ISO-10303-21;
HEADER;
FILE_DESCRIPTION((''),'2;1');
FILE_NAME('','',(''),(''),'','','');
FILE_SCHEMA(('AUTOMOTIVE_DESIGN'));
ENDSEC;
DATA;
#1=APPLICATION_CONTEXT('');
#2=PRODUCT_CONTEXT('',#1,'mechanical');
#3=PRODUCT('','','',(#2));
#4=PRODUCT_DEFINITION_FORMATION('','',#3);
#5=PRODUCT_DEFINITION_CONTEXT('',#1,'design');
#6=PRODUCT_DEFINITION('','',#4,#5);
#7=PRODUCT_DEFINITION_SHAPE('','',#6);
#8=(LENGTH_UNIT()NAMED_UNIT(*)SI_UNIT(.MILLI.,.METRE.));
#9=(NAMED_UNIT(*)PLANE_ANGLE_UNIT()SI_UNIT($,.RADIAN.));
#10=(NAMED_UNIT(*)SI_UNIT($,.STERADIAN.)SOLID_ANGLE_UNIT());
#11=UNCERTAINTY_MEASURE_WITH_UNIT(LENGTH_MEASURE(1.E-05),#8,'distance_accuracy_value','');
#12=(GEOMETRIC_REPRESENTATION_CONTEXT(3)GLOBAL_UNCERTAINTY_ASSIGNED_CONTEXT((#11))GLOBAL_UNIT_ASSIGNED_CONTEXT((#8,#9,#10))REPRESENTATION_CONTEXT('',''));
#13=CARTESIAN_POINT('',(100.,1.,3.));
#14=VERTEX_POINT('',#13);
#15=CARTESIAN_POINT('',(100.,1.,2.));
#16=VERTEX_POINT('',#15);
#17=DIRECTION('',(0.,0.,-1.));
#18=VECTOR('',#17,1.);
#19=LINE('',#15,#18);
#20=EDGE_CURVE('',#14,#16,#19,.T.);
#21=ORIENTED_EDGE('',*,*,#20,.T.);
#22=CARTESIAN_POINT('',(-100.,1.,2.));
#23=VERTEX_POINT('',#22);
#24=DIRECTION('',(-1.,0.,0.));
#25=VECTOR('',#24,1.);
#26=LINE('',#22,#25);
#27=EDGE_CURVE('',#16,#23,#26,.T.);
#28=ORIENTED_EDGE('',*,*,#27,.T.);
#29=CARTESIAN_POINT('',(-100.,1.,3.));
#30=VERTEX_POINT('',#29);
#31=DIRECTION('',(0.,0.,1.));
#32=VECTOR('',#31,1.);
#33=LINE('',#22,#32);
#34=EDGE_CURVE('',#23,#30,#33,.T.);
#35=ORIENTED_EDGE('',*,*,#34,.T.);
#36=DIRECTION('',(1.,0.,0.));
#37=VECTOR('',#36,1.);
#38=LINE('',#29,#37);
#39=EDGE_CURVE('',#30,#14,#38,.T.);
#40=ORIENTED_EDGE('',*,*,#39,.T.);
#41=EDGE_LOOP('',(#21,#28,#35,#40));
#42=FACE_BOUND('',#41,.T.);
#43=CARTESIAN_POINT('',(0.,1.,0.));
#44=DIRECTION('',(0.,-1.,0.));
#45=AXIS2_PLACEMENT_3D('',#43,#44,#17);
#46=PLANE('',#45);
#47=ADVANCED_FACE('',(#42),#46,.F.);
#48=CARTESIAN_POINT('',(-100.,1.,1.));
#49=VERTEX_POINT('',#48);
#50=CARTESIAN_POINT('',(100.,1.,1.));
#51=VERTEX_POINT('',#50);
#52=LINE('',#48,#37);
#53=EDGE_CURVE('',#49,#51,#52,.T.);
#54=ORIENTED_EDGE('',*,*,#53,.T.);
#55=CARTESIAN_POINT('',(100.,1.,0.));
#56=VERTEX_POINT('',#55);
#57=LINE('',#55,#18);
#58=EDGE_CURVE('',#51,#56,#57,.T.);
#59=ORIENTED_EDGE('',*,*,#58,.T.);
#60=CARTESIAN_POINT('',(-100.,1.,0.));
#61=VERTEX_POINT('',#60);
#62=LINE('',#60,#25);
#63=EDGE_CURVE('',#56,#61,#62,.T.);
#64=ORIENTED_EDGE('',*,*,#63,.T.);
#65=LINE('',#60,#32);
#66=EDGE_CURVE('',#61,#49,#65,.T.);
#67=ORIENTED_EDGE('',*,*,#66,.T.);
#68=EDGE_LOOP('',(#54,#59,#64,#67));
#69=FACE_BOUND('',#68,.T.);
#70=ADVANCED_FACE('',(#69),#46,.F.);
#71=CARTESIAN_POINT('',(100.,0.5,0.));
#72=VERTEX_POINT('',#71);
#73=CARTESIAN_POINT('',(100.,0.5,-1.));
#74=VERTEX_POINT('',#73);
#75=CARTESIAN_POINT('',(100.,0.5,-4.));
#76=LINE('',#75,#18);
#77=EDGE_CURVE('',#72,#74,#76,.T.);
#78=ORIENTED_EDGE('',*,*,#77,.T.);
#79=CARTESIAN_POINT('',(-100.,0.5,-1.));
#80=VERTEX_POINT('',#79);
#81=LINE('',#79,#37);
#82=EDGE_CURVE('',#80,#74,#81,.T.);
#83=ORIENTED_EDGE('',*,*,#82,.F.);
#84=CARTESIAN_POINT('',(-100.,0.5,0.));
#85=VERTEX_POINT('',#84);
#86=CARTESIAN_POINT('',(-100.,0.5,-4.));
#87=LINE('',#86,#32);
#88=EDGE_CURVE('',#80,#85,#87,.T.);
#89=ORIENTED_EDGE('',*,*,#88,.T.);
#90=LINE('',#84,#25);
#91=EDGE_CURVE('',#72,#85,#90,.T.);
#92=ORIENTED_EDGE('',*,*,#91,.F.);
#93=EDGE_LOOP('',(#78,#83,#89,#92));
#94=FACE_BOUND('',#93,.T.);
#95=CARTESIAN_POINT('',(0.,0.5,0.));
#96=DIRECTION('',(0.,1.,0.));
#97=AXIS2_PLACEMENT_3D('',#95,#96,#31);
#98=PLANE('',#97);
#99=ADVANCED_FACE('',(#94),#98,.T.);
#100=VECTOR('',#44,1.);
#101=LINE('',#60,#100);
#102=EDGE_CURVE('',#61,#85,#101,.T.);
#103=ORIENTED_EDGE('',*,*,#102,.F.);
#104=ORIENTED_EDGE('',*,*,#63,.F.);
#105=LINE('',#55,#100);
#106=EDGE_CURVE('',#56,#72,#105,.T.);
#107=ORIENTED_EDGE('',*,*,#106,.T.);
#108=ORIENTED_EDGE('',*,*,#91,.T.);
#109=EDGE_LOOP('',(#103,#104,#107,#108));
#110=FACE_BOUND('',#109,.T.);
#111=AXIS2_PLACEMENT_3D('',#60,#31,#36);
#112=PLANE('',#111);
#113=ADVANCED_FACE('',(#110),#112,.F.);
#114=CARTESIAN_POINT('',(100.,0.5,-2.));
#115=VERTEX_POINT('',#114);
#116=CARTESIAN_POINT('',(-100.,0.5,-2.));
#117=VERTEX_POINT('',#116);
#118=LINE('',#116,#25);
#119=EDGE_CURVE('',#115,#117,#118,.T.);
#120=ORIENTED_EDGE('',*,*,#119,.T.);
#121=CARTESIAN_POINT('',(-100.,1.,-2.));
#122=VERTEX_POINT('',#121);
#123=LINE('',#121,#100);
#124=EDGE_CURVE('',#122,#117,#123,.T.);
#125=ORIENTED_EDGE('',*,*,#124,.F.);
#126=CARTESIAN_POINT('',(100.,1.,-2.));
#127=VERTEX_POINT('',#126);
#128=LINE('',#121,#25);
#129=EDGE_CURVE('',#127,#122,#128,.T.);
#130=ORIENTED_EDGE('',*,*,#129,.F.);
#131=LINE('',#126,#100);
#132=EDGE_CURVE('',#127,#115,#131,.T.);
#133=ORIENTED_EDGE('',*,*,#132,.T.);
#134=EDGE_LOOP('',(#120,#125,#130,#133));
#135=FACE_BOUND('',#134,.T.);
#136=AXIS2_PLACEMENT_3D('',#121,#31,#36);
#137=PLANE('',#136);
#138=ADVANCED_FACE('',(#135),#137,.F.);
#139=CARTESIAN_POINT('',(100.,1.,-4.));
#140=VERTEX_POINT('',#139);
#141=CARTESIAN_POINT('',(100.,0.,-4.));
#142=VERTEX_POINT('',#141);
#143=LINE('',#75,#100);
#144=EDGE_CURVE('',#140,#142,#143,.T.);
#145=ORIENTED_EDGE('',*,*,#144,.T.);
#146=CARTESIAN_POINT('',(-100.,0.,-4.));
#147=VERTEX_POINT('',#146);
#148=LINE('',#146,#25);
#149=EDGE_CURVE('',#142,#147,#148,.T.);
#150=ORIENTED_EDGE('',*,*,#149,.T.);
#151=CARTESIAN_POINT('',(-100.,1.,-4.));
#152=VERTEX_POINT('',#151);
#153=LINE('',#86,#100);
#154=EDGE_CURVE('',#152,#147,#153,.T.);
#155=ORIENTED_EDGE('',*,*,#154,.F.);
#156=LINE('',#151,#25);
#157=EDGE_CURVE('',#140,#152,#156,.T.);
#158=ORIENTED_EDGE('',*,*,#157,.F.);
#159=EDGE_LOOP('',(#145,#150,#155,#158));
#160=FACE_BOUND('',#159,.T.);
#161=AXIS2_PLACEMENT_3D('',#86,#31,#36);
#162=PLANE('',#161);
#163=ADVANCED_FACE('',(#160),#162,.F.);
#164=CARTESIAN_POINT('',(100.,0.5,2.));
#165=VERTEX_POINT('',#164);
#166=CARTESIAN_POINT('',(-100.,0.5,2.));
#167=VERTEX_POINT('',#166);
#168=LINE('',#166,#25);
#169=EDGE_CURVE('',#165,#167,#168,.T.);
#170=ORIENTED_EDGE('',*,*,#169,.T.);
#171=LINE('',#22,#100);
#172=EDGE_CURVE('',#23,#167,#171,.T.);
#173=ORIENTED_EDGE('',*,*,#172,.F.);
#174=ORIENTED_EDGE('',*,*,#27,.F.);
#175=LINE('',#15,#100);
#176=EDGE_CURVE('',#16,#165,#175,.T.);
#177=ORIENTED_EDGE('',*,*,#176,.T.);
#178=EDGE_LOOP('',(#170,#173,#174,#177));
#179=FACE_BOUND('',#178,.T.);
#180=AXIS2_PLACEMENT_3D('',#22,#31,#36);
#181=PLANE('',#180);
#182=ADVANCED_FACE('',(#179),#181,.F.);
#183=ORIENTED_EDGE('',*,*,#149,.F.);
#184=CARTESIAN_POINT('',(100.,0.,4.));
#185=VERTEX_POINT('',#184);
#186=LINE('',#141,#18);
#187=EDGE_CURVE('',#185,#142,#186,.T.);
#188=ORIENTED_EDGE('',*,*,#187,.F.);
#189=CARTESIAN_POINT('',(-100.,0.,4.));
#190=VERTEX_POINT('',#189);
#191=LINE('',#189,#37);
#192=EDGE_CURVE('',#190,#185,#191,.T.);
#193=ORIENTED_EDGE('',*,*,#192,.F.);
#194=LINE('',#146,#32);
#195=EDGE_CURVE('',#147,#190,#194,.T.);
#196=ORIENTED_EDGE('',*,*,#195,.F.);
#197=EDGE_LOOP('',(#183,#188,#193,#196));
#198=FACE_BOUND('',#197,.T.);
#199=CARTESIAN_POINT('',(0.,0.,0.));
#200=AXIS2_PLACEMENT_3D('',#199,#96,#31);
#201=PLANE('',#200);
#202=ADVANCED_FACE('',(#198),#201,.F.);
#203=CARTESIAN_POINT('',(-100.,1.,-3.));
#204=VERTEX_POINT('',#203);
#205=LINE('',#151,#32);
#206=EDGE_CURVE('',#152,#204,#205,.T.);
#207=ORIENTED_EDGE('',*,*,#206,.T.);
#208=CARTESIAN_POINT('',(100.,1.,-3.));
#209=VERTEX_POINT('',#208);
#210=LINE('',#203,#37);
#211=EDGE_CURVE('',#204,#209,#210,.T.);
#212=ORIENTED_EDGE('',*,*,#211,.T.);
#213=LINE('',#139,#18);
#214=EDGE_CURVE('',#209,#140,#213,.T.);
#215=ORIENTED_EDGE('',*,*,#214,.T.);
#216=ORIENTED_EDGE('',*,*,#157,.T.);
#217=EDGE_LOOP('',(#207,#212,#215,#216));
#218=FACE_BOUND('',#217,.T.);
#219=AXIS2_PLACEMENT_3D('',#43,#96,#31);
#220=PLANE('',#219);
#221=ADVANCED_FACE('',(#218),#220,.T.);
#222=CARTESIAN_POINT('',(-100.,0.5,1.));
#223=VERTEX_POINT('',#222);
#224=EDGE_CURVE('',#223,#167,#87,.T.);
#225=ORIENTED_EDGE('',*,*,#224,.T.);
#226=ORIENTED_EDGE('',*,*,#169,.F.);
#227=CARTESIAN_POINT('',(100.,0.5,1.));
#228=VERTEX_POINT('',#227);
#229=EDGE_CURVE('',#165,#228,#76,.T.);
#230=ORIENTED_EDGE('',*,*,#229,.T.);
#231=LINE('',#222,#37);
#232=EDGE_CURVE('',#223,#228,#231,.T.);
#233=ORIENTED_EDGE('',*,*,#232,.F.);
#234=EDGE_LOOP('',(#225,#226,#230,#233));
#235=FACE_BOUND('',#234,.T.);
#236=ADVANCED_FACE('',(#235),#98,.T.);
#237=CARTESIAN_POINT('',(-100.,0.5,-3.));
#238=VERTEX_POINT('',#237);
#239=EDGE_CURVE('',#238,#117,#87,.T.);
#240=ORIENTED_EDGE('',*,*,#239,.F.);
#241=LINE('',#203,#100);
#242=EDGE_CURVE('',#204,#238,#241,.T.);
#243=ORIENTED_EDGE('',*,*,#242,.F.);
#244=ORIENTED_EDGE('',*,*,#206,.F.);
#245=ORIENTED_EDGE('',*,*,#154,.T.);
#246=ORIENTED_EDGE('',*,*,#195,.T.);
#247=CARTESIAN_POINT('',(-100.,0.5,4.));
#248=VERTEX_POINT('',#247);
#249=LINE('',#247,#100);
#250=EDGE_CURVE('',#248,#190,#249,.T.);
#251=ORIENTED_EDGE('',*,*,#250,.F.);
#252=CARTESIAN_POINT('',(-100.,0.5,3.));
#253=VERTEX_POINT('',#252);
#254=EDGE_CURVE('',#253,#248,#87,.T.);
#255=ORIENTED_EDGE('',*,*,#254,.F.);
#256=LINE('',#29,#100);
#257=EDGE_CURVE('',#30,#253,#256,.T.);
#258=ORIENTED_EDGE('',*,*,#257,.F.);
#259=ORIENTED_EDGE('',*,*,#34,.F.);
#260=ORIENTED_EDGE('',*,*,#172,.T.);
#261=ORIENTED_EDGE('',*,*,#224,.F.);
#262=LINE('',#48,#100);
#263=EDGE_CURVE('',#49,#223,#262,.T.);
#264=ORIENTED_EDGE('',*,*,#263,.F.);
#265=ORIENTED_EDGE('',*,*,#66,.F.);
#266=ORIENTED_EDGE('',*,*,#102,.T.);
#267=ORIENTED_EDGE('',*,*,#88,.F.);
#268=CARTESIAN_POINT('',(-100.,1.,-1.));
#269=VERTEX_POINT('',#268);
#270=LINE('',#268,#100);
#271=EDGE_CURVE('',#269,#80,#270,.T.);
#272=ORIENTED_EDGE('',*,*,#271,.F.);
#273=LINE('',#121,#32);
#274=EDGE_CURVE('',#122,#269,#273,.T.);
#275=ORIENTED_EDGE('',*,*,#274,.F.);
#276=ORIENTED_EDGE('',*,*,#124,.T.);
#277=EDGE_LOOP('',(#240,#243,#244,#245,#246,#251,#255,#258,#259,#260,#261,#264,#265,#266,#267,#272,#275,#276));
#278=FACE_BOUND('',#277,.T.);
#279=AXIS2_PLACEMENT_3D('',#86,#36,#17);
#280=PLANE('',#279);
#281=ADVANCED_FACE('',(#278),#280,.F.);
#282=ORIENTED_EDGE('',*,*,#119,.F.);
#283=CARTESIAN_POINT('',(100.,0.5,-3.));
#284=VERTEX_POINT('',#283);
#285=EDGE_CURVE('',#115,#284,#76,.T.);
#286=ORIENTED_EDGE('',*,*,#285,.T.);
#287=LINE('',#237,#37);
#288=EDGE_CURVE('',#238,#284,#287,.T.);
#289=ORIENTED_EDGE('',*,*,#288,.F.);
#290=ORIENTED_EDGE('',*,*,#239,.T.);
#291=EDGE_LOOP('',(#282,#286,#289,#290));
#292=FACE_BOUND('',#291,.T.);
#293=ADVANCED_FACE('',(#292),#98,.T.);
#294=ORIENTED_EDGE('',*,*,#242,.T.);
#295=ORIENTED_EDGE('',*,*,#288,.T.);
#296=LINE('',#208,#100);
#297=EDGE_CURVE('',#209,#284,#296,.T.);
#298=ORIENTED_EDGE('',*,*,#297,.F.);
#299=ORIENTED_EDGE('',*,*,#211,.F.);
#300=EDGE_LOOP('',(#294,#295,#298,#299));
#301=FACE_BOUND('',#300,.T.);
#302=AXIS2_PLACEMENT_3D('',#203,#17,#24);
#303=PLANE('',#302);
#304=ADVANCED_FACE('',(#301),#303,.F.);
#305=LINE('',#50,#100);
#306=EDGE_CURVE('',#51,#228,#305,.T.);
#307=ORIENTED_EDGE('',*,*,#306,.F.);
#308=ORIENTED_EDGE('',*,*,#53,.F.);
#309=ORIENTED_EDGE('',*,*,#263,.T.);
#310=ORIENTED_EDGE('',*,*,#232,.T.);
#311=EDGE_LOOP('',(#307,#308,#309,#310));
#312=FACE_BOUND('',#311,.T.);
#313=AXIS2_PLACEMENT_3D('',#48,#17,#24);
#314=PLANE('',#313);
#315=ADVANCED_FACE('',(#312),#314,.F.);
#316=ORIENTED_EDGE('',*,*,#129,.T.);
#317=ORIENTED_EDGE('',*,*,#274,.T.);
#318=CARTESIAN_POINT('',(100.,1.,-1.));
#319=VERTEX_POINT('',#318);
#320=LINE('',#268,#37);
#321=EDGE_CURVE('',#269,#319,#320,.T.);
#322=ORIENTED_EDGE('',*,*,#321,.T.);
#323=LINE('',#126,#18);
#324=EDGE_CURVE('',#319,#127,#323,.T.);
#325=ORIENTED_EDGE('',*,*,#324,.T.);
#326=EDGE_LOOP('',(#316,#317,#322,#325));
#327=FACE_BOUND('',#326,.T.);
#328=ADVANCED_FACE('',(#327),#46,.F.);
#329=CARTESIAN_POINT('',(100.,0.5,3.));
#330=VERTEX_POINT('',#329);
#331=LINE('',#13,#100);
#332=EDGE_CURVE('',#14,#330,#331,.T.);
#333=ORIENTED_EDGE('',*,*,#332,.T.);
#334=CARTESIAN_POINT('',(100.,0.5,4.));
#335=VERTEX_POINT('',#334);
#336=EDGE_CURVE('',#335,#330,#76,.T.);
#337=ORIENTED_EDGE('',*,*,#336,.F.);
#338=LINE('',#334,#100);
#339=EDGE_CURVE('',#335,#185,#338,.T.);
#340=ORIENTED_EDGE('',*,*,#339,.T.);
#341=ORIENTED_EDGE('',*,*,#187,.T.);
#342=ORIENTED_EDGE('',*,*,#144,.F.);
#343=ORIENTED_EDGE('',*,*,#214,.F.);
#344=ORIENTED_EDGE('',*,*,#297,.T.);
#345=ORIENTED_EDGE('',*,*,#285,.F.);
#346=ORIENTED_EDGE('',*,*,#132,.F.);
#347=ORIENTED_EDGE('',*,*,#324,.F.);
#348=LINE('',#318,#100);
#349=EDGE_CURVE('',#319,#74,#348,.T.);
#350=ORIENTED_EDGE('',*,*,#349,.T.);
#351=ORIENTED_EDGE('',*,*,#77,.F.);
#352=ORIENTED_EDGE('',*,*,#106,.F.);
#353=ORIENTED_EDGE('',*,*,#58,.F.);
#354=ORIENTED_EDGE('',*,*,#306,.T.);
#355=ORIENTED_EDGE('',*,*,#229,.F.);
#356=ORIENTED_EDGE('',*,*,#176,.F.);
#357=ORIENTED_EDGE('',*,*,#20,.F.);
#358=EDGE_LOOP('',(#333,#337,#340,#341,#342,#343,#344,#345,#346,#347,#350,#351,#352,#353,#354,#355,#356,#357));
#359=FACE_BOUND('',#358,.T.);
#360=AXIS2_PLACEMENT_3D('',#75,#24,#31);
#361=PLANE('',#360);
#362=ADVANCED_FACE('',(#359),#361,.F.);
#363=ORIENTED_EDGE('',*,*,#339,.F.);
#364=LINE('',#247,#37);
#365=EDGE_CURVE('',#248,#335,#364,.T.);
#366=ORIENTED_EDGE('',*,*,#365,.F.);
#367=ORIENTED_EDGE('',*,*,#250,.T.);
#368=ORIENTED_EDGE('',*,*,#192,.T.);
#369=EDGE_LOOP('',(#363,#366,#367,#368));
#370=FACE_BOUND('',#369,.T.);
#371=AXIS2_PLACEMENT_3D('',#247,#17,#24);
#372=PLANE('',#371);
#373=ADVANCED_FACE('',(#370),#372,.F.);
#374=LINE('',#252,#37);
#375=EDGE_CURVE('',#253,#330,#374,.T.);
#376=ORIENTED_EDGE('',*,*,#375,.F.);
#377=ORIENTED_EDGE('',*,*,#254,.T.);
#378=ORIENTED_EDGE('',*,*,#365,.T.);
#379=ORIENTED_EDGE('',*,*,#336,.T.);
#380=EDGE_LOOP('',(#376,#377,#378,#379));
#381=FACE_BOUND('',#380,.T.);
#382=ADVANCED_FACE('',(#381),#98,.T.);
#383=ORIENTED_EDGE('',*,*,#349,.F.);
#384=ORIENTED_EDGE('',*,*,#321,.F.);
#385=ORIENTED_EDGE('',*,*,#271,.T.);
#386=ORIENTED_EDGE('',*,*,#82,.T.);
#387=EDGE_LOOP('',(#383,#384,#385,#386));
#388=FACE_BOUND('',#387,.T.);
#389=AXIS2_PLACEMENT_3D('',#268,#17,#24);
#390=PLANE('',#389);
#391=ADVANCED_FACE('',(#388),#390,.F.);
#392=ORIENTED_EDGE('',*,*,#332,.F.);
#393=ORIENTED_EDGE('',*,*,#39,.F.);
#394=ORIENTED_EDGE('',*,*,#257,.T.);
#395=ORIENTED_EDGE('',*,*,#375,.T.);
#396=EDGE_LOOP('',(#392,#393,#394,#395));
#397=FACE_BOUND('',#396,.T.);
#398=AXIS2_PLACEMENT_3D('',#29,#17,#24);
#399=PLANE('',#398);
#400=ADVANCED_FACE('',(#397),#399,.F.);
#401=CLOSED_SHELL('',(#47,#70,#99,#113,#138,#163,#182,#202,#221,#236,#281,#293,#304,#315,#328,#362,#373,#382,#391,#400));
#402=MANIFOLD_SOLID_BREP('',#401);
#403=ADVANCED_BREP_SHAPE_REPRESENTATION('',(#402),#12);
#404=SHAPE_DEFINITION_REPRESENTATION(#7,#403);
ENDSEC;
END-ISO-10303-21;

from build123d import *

# Parameters (mm, degrees)
SKETCH1_W           = 200
SKETCH1_H           = 8
BOSS_EXTRUDE1_DEPTH = 0.5
SKETCH2_W           = 200
SKETCH2_H           = 1
BOSS_EXTRUDE2_DEPTH = 0.5


with BuildPart() as part:
    # Sketch1 → Boss-Extrude1 (new body)
    with BuildSketch(Plane(origin=(0, 0, 0), x_dir=(1, 0, 0), z_dir=(0, 1, 0))):
        Rectangle(SKETCH1_W, SKETCH1_H)
    extrude(amount=BOSS_EXTRUDE1_DEPTH)

    # Sketch2 → Boss-Extrude2 (add)
    with BuildSketch(Plane(origin=(0, 0.5, 0), x_dir=(1, 0, 0), z_dir=(0, 1, 0))):
        with Locations((0, 3.5)):
            Rectangle(SKETCH2_W, SKETCH2_H)
        with Locations((0, 1.5)):
            Rectangle(SKETCH2_W, SKETCH2_H)
        with Locations((0, -0.5)):
            Rectangle(SKETCH2_W, SKETCH2_H)
        with Locations((0, -2.5)):
            Rectangle(SKETCH2_W, SKETCH2_H)
    extrude(amount=BOSS_EXTRUDE2_DEPTH)


solid = part.part
